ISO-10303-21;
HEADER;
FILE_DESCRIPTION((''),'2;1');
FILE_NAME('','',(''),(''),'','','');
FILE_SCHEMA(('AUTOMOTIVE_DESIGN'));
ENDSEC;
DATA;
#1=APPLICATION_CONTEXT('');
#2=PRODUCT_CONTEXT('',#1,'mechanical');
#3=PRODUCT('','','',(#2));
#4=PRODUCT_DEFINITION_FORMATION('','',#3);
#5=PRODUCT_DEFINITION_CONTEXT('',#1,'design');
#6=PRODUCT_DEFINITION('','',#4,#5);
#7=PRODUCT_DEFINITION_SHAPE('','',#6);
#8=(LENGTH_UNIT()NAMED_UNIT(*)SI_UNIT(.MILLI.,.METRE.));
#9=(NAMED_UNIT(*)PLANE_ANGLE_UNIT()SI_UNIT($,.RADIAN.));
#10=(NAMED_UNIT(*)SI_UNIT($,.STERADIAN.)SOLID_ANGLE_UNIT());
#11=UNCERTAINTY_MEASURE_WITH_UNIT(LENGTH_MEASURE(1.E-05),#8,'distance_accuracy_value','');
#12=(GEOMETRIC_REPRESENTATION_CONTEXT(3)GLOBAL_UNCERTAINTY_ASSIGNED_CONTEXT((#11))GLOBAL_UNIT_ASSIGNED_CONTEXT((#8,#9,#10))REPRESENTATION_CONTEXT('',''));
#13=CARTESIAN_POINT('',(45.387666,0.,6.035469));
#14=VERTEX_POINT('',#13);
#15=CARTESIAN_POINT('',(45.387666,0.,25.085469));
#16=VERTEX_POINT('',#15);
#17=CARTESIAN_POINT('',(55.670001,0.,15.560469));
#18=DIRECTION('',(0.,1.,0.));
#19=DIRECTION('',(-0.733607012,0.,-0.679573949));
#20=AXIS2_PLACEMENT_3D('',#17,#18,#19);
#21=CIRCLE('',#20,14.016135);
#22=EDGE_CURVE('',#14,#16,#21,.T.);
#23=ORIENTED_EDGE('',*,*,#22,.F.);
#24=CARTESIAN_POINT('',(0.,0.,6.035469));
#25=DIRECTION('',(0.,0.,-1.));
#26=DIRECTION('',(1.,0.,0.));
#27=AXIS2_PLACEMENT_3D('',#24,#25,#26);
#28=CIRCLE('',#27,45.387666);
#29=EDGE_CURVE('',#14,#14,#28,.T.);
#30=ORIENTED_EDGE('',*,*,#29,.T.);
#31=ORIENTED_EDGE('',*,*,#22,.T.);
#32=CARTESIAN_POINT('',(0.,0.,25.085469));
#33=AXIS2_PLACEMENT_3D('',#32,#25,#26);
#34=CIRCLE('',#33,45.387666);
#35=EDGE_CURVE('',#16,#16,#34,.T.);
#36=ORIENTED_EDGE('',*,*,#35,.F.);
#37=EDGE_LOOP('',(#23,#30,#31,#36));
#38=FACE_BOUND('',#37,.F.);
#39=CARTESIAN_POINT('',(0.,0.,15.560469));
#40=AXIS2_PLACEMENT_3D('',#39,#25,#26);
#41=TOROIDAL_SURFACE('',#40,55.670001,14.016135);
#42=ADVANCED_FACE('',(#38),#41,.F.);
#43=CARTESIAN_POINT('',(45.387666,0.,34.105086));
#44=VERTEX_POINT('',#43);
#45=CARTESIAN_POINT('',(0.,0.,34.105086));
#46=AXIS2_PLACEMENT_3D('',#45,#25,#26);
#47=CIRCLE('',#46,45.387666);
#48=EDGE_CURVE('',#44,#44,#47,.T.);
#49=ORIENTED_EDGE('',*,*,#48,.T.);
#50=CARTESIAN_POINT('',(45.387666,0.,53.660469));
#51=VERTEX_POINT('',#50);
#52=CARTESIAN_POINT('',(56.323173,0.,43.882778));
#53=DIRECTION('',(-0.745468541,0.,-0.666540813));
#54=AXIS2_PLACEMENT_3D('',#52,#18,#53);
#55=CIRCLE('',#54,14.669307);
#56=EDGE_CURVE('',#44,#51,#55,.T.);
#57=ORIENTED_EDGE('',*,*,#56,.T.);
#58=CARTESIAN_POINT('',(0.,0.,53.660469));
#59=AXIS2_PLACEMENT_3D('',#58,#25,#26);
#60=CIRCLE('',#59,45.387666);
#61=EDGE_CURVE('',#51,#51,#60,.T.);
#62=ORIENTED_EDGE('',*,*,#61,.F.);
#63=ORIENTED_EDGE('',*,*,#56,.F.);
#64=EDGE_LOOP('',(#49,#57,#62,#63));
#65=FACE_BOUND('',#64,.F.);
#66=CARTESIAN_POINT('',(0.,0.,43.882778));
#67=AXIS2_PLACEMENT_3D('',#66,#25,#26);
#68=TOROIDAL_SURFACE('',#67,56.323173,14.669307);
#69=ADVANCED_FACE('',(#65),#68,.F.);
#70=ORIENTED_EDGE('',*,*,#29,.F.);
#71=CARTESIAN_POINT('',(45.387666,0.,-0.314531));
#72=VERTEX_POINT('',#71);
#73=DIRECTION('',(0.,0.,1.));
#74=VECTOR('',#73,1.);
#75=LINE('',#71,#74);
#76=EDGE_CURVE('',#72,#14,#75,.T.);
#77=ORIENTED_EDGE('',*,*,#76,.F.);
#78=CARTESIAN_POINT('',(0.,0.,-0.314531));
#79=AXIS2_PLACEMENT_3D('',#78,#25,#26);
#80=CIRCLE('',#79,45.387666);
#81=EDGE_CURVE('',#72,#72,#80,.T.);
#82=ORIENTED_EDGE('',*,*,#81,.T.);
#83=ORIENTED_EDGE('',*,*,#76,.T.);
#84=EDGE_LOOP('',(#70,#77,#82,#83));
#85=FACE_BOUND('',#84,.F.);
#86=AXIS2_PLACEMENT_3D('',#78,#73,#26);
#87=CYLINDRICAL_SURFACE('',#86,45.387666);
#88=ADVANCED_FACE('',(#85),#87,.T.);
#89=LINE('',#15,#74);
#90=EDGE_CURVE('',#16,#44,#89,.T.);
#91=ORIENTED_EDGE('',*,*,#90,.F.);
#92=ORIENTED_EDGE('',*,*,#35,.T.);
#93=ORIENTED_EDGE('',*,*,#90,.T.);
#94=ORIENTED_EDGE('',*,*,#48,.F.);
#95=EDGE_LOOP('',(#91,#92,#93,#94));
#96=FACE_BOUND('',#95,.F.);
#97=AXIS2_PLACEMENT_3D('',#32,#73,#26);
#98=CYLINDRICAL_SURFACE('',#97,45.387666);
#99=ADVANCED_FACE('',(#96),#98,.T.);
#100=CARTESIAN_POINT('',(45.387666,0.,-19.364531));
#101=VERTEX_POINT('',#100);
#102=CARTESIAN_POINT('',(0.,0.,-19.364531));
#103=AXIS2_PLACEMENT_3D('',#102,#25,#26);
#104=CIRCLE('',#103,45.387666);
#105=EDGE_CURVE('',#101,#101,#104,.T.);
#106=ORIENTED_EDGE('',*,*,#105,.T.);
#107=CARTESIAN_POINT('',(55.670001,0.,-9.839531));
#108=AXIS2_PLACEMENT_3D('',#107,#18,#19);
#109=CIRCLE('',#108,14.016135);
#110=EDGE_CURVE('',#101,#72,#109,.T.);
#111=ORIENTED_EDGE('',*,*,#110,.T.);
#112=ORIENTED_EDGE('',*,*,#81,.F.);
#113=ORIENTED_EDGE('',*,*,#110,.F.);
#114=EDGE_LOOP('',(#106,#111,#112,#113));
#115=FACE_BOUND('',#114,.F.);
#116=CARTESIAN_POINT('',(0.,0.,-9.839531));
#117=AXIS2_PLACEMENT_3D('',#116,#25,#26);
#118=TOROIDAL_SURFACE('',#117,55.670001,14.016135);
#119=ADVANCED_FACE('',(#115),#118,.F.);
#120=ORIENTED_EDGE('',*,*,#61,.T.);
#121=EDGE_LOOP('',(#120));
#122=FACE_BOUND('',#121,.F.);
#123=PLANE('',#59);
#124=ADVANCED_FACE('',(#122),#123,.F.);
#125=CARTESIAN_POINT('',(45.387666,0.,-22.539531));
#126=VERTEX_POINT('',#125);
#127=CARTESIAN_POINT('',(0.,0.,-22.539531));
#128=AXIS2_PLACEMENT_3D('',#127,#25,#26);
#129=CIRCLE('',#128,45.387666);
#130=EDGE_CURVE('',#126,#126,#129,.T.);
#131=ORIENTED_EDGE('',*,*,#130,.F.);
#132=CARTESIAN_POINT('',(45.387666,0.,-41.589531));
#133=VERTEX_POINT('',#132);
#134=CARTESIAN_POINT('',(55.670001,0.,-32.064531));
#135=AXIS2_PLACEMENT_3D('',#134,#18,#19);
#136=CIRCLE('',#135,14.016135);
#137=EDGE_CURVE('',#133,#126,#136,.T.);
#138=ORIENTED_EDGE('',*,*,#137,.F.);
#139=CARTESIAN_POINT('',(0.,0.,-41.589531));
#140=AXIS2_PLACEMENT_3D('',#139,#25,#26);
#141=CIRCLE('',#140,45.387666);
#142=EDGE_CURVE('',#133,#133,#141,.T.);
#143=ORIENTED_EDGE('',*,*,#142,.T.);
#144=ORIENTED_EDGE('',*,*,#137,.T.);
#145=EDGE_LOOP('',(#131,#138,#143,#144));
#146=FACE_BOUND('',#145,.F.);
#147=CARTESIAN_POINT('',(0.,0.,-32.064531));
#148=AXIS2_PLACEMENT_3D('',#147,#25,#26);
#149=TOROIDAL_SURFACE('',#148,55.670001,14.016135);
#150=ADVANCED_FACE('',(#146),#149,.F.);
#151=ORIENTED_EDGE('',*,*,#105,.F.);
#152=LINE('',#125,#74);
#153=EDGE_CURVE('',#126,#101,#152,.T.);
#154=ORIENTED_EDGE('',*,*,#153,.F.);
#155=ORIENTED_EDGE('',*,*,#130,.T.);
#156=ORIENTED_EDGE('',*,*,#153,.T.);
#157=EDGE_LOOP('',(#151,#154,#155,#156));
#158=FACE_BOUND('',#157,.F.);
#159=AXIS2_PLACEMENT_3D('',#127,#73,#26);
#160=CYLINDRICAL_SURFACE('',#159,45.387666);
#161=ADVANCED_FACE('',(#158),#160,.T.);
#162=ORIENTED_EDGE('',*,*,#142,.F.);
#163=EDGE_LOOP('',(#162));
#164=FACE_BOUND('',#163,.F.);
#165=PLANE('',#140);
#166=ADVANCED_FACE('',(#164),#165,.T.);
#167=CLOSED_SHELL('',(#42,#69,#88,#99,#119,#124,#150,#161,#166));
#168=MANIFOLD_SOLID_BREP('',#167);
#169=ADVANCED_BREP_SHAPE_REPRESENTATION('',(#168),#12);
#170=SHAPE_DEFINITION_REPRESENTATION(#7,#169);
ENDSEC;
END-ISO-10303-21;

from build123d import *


with BuildPart() as f1:
    # F0 (on Front) → F1 (revolve)
    with BuildSketch(Plane.XZ):
        with BuildLine():
            Line((45.387666, 53.660469), (0, 53.660469))
            Line((0, 53.660469), (0, -41.589531))
            Line((0, -41.589531), (45.387666, -41.589531))
            ThreePointArc((45.387666, -41.589531), (41.653866, -32.064531), (45.387666, -22.539531))
            Line((45.387666, -22.539531), (45.387666, -19.364531))
            ThreePointArc((45.387666, -19.364531), (41.653866, -9.839531), (45.387666, -0.314531))
            Line((45.387666, -0.314531), (45.387666, 6.035469))
            ThreePointArc((45.387666, 6.035469), (41.653866, 15.560469), (45.387666, 25.085469))
            Line((45.387666, 25.085469), (45.387666, 34.105086))
            ThreePointArc((45.387666, 34.105086), (41.653866, 43.882778), (45.387666, 53.660469))
        make_face()
    revolve(axis=Axis((0, 0, 6.035469), (0, 0, -1)))


solid = f1.part
